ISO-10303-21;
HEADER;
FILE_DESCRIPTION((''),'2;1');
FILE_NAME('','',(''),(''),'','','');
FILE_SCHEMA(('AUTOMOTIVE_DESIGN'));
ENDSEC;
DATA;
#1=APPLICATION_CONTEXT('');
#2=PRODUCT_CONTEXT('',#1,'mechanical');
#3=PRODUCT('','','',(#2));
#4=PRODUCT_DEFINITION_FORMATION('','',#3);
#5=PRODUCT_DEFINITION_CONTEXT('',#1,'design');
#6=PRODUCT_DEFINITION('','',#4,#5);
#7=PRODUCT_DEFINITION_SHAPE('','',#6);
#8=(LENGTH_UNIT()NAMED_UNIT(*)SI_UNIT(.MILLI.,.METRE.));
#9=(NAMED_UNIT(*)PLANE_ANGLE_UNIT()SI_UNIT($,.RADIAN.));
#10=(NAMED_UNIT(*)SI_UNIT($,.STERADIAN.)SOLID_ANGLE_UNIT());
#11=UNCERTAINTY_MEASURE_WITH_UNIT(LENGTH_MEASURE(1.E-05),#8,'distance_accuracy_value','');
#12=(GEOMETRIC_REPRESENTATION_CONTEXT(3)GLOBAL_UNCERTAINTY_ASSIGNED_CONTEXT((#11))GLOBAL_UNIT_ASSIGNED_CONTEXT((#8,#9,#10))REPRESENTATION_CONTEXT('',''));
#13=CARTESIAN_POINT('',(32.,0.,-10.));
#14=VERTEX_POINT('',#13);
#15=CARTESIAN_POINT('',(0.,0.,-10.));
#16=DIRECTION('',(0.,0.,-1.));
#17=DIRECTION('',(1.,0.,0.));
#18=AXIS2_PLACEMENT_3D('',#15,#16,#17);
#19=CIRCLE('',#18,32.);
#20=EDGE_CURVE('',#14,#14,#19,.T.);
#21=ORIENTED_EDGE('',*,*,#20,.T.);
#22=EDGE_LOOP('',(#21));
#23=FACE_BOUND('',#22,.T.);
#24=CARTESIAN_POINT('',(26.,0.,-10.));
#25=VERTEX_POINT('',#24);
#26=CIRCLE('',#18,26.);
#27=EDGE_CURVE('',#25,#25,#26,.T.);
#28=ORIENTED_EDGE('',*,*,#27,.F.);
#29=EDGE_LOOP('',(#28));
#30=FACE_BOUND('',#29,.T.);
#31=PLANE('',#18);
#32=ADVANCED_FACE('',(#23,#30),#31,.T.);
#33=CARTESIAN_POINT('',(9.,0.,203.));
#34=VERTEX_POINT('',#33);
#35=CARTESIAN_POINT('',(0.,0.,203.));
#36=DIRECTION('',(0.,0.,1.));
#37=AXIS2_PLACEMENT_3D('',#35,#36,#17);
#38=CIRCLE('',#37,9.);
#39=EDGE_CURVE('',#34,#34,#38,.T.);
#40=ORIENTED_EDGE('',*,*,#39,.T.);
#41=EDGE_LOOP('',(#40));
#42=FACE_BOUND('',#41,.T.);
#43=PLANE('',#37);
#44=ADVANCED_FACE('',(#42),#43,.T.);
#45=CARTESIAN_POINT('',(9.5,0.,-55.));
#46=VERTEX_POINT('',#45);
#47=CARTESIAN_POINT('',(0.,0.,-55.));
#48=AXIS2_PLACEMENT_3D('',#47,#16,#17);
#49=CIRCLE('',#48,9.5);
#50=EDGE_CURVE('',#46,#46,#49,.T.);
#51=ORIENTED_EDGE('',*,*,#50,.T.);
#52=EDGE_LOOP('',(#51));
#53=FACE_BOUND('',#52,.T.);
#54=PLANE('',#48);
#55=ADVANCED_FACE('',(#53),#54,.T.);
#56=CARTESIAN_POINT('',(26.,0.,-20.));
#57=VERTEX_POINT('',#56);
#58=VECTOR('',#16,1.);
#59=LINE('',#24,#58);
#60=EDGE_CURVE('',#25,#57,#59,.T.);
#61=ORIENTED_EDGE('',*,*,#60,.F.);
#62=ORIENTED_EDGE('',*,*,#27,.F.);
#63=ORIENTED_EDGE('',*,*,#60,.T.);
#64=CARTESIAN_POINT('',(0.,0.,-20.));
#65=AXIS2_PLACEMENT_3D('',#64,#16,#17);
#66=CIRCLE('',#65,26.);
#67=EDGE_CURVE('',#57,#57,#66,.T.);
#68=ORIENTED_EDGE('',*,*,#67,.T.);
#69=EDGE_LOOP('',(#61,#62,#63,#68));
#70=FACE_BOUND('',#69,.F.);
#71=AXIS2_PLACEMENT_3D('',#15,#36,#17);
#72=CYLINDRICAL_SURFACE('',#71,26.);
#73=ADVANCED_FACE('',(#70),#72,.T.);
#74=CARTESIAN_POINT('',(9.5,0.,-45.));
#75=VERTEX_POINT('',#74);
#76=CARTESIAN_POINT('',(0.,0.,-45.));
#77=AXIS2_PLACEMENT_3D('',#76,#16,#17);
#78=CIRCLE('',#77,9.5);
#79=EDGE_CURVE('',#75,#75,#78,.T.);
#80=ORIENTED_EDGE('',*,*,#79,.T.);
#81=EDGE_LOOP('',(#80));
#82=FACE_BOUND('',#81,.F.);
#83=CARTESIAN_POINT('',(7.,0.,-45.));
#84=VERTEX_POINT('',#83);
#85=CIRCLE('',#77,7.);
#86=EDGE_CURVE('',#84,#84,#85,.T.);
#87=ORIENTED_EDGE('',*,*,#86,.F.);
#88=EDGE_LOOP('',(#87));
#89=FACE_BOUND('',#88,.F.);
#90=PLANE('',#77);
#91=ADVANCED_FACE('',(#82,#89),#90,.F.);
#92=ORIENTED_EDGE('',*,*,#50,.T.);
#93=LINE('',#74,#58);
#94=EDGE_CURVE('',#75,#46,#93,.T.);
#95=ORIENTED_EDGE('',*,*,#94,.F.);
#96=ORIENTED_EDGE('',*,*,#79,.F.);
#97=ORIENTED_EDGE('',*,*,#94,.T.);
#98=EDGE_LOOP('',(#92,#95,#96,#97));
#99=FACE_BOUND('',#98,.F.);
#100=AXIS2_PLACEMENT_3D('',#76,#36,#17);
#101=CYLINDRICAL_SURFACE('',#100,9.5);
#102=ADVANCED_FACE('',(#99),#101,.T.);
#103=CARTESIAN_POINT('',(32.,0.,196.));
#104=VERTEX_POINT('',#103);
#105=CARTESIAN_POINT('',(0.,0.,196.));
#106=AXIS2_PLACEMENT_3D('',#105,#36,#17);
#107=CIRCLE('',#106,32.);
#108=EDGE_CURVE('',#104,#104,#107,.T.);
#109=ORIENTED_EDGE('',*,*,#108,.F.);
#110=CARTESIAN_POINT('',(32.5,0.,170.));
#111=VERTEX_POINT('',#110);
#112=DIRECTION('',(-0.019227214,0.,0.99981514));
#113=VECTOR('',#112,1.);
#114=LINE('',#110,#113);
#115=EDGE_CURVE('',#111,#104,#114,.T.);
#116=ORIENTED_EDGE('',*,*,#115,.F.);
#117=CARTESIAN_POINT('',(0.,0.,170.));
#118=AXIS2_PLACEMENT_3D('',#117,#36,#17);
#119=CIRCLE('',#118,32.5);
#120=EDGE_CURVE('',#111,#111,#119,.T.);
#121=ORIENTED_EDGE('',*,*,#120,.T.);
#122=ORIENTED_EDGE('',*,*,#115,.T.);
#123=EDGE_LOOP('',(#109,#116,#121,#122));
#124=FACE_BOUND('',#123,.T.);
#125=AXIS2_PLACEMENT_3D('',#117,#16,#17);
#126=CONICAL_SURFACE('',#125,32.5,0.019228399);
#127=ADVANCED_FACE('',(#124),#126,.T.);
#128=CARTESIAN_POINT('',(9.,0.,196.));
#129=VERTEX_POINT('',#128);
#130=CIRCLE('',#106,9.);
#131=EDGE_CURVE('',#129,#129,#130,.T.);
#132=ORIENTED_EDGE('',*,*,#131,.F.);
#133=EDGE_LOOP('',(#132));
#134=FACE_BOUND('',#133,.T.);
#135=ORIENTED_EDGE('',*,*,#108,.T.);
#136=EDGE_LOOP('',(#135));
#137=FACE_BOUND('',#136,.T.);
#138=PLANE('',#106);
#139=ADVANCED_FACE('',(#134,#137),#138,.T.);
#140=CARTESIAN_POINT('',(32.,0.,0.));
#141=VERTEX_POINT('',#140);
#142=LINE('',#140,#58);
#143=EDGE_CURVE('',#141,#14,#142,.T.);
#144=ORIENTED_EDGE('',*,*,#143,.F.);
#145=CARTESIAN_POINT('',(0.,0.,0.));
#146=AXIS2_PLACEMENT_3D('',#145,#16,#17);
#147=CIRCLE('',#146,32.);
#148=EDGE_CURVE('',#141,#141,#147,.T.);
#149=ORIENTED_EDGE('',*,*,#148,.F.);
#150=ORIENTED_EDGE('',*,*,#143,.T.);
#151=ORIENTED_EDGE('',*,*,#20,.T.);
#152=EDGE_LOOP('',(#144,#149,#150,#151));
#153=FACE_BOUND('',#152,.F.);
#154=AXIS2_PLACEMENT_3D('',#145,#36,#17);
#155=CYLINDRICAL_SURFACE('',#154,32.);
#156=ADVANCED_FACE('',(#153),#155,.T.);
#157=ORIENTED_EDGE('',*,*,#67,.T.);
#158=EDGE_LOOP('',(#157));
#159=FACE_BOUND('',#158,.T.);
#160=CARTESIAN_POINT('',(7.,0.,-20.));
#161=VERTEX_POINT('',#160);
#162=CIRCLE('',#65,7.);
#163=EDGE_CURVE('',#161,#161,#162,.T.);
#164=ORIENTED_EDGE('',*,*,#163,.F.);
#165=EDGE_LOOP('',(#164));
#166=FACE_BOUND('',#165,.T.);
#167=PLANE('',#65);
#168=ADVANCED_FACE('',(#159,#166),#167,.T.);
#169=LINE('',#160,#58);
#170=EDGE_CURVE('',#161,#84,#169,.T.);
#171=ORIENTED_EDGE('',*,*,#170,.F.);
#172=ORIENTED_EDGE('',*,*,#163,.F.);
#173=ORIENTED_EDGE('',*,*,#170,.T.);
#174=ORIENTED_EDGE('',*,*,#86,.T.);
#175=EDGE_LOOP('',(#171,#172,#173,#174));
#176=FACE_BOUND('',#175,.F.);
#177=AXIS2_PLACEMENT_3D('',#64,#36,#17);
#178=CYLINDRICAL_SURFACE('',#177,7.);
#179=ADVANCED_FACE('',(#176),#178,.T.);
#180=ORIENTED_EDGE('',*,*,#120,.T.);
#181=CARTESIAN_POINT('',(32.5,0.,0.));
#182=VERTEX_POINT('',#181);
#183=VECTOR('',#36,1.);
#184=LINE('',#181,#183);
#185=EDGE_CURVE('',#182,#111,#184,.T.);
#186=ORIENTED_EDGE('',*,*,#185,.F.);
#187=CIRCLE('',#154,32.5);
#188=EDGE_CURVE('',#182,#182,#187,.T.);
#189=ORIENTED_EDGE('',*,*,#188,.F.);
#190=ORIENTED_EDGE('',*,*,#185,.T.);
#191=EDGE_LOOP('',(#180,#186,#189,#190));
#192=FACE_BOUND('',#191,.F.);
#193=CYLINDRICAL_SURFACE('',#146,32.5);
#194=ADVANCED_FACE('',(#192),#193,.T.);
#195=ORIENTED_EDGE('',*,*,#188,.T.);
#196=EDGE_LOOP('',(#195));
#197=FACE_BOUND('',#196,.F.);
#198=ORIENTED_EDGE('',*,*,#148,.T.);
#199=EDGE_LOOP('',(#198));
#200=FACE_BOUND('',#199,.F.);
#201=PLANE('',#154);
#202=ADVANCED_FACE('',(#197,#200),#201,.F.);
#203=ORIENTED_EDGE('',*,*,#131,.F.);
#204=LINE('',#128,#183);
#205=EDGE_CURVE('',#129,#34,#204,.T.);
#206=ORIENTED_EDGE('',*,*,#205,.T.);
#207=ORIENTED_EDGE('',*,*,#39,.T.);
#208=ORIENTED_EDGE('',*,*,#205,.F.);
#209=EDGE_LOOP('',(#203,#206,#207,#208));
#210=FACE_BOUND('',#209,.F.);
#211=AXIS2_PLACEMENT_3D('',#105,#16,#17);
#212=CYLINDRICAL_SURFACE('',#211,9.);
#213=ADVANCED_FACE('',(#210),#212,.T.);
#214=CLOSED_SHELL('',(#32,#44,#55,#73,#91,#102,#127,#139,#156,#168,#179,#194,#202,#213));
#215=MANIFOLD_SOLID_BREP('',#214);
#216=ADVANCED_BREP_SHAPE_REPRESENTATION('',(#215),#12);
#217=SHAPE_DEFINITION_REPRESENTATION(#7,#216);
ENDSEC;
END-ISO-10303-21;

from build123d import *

# Parameters (mm, degrees)
F0_R      = 32.5
F1_DEPTH  = 196
F2_SIZE2  = 0.5
F2_SIZE   = 26
F3_R      = 32
F4_DEPTH  = 10
F5_R      = 26
F6_DEPTH  = 10
F7_R      = 7
F8_DEPTH  = 25
F9_R      = 9.5
F10_DEPTH = 10
F11_R     = 9
F12_DEPTH = 7


with BuildPart() as f1:
    # F0 (on Top) → F1 (new body)
    with BuildSketch(Plane.XY):
        Circle(F0_R)
    extrude(amount=F1_DEPTH)

    # F2
    f2_edges = [f1.edges().sort_by_distance(p)[0] for p in [
        (-32.5, 0, 196),
    ]]
    chamfer(f2_edges, length=F2_SIZE, length2=F2_SIZE2)

    # F3 (on face) → F4 (join)
    with BuildSketch(Plane(origin=(0, 0, 0), x_dir=(1, 0, 0), z_dir=(0, 0, -1))):
        Circle(F3_R)
    extrude(amount=F4_DEPTH)

    # F5 (on face) → F6 (join)
    with BuildSketch(Plane(origin=(0, 0, -10), x_dir=(1, 0, 0), z_dir=(0, 0, -1))):
        Circle(F5_R)
    extrude(amount=F6_DEPTH)

    # F7 (on face) → F8 (join)
    with BuildSketch(Plane(origin=(0, 0, -20), x_dir=(1, 0, 0), z_dir=(0, 0, -1))):
        Circle(F7_R)
    extrude(amount=F8_DEPTH)

    # F9 (on face) → F10 (join)
    with BuildSketch(Plane(origin=(0, 0, -45), x_dir=(1, 0, 0), z_dir=(0, 0, -1))):
        Circle(F9_R)
    extrude(amount=F10_DEPTH)

    # F11 (on face) → F12 (join)
    with BuildSketch(Plane.XY.offset(196)):
        Circle(F11_R)
    extrude(amount=F12_DEPTH)


solid = f1.part
